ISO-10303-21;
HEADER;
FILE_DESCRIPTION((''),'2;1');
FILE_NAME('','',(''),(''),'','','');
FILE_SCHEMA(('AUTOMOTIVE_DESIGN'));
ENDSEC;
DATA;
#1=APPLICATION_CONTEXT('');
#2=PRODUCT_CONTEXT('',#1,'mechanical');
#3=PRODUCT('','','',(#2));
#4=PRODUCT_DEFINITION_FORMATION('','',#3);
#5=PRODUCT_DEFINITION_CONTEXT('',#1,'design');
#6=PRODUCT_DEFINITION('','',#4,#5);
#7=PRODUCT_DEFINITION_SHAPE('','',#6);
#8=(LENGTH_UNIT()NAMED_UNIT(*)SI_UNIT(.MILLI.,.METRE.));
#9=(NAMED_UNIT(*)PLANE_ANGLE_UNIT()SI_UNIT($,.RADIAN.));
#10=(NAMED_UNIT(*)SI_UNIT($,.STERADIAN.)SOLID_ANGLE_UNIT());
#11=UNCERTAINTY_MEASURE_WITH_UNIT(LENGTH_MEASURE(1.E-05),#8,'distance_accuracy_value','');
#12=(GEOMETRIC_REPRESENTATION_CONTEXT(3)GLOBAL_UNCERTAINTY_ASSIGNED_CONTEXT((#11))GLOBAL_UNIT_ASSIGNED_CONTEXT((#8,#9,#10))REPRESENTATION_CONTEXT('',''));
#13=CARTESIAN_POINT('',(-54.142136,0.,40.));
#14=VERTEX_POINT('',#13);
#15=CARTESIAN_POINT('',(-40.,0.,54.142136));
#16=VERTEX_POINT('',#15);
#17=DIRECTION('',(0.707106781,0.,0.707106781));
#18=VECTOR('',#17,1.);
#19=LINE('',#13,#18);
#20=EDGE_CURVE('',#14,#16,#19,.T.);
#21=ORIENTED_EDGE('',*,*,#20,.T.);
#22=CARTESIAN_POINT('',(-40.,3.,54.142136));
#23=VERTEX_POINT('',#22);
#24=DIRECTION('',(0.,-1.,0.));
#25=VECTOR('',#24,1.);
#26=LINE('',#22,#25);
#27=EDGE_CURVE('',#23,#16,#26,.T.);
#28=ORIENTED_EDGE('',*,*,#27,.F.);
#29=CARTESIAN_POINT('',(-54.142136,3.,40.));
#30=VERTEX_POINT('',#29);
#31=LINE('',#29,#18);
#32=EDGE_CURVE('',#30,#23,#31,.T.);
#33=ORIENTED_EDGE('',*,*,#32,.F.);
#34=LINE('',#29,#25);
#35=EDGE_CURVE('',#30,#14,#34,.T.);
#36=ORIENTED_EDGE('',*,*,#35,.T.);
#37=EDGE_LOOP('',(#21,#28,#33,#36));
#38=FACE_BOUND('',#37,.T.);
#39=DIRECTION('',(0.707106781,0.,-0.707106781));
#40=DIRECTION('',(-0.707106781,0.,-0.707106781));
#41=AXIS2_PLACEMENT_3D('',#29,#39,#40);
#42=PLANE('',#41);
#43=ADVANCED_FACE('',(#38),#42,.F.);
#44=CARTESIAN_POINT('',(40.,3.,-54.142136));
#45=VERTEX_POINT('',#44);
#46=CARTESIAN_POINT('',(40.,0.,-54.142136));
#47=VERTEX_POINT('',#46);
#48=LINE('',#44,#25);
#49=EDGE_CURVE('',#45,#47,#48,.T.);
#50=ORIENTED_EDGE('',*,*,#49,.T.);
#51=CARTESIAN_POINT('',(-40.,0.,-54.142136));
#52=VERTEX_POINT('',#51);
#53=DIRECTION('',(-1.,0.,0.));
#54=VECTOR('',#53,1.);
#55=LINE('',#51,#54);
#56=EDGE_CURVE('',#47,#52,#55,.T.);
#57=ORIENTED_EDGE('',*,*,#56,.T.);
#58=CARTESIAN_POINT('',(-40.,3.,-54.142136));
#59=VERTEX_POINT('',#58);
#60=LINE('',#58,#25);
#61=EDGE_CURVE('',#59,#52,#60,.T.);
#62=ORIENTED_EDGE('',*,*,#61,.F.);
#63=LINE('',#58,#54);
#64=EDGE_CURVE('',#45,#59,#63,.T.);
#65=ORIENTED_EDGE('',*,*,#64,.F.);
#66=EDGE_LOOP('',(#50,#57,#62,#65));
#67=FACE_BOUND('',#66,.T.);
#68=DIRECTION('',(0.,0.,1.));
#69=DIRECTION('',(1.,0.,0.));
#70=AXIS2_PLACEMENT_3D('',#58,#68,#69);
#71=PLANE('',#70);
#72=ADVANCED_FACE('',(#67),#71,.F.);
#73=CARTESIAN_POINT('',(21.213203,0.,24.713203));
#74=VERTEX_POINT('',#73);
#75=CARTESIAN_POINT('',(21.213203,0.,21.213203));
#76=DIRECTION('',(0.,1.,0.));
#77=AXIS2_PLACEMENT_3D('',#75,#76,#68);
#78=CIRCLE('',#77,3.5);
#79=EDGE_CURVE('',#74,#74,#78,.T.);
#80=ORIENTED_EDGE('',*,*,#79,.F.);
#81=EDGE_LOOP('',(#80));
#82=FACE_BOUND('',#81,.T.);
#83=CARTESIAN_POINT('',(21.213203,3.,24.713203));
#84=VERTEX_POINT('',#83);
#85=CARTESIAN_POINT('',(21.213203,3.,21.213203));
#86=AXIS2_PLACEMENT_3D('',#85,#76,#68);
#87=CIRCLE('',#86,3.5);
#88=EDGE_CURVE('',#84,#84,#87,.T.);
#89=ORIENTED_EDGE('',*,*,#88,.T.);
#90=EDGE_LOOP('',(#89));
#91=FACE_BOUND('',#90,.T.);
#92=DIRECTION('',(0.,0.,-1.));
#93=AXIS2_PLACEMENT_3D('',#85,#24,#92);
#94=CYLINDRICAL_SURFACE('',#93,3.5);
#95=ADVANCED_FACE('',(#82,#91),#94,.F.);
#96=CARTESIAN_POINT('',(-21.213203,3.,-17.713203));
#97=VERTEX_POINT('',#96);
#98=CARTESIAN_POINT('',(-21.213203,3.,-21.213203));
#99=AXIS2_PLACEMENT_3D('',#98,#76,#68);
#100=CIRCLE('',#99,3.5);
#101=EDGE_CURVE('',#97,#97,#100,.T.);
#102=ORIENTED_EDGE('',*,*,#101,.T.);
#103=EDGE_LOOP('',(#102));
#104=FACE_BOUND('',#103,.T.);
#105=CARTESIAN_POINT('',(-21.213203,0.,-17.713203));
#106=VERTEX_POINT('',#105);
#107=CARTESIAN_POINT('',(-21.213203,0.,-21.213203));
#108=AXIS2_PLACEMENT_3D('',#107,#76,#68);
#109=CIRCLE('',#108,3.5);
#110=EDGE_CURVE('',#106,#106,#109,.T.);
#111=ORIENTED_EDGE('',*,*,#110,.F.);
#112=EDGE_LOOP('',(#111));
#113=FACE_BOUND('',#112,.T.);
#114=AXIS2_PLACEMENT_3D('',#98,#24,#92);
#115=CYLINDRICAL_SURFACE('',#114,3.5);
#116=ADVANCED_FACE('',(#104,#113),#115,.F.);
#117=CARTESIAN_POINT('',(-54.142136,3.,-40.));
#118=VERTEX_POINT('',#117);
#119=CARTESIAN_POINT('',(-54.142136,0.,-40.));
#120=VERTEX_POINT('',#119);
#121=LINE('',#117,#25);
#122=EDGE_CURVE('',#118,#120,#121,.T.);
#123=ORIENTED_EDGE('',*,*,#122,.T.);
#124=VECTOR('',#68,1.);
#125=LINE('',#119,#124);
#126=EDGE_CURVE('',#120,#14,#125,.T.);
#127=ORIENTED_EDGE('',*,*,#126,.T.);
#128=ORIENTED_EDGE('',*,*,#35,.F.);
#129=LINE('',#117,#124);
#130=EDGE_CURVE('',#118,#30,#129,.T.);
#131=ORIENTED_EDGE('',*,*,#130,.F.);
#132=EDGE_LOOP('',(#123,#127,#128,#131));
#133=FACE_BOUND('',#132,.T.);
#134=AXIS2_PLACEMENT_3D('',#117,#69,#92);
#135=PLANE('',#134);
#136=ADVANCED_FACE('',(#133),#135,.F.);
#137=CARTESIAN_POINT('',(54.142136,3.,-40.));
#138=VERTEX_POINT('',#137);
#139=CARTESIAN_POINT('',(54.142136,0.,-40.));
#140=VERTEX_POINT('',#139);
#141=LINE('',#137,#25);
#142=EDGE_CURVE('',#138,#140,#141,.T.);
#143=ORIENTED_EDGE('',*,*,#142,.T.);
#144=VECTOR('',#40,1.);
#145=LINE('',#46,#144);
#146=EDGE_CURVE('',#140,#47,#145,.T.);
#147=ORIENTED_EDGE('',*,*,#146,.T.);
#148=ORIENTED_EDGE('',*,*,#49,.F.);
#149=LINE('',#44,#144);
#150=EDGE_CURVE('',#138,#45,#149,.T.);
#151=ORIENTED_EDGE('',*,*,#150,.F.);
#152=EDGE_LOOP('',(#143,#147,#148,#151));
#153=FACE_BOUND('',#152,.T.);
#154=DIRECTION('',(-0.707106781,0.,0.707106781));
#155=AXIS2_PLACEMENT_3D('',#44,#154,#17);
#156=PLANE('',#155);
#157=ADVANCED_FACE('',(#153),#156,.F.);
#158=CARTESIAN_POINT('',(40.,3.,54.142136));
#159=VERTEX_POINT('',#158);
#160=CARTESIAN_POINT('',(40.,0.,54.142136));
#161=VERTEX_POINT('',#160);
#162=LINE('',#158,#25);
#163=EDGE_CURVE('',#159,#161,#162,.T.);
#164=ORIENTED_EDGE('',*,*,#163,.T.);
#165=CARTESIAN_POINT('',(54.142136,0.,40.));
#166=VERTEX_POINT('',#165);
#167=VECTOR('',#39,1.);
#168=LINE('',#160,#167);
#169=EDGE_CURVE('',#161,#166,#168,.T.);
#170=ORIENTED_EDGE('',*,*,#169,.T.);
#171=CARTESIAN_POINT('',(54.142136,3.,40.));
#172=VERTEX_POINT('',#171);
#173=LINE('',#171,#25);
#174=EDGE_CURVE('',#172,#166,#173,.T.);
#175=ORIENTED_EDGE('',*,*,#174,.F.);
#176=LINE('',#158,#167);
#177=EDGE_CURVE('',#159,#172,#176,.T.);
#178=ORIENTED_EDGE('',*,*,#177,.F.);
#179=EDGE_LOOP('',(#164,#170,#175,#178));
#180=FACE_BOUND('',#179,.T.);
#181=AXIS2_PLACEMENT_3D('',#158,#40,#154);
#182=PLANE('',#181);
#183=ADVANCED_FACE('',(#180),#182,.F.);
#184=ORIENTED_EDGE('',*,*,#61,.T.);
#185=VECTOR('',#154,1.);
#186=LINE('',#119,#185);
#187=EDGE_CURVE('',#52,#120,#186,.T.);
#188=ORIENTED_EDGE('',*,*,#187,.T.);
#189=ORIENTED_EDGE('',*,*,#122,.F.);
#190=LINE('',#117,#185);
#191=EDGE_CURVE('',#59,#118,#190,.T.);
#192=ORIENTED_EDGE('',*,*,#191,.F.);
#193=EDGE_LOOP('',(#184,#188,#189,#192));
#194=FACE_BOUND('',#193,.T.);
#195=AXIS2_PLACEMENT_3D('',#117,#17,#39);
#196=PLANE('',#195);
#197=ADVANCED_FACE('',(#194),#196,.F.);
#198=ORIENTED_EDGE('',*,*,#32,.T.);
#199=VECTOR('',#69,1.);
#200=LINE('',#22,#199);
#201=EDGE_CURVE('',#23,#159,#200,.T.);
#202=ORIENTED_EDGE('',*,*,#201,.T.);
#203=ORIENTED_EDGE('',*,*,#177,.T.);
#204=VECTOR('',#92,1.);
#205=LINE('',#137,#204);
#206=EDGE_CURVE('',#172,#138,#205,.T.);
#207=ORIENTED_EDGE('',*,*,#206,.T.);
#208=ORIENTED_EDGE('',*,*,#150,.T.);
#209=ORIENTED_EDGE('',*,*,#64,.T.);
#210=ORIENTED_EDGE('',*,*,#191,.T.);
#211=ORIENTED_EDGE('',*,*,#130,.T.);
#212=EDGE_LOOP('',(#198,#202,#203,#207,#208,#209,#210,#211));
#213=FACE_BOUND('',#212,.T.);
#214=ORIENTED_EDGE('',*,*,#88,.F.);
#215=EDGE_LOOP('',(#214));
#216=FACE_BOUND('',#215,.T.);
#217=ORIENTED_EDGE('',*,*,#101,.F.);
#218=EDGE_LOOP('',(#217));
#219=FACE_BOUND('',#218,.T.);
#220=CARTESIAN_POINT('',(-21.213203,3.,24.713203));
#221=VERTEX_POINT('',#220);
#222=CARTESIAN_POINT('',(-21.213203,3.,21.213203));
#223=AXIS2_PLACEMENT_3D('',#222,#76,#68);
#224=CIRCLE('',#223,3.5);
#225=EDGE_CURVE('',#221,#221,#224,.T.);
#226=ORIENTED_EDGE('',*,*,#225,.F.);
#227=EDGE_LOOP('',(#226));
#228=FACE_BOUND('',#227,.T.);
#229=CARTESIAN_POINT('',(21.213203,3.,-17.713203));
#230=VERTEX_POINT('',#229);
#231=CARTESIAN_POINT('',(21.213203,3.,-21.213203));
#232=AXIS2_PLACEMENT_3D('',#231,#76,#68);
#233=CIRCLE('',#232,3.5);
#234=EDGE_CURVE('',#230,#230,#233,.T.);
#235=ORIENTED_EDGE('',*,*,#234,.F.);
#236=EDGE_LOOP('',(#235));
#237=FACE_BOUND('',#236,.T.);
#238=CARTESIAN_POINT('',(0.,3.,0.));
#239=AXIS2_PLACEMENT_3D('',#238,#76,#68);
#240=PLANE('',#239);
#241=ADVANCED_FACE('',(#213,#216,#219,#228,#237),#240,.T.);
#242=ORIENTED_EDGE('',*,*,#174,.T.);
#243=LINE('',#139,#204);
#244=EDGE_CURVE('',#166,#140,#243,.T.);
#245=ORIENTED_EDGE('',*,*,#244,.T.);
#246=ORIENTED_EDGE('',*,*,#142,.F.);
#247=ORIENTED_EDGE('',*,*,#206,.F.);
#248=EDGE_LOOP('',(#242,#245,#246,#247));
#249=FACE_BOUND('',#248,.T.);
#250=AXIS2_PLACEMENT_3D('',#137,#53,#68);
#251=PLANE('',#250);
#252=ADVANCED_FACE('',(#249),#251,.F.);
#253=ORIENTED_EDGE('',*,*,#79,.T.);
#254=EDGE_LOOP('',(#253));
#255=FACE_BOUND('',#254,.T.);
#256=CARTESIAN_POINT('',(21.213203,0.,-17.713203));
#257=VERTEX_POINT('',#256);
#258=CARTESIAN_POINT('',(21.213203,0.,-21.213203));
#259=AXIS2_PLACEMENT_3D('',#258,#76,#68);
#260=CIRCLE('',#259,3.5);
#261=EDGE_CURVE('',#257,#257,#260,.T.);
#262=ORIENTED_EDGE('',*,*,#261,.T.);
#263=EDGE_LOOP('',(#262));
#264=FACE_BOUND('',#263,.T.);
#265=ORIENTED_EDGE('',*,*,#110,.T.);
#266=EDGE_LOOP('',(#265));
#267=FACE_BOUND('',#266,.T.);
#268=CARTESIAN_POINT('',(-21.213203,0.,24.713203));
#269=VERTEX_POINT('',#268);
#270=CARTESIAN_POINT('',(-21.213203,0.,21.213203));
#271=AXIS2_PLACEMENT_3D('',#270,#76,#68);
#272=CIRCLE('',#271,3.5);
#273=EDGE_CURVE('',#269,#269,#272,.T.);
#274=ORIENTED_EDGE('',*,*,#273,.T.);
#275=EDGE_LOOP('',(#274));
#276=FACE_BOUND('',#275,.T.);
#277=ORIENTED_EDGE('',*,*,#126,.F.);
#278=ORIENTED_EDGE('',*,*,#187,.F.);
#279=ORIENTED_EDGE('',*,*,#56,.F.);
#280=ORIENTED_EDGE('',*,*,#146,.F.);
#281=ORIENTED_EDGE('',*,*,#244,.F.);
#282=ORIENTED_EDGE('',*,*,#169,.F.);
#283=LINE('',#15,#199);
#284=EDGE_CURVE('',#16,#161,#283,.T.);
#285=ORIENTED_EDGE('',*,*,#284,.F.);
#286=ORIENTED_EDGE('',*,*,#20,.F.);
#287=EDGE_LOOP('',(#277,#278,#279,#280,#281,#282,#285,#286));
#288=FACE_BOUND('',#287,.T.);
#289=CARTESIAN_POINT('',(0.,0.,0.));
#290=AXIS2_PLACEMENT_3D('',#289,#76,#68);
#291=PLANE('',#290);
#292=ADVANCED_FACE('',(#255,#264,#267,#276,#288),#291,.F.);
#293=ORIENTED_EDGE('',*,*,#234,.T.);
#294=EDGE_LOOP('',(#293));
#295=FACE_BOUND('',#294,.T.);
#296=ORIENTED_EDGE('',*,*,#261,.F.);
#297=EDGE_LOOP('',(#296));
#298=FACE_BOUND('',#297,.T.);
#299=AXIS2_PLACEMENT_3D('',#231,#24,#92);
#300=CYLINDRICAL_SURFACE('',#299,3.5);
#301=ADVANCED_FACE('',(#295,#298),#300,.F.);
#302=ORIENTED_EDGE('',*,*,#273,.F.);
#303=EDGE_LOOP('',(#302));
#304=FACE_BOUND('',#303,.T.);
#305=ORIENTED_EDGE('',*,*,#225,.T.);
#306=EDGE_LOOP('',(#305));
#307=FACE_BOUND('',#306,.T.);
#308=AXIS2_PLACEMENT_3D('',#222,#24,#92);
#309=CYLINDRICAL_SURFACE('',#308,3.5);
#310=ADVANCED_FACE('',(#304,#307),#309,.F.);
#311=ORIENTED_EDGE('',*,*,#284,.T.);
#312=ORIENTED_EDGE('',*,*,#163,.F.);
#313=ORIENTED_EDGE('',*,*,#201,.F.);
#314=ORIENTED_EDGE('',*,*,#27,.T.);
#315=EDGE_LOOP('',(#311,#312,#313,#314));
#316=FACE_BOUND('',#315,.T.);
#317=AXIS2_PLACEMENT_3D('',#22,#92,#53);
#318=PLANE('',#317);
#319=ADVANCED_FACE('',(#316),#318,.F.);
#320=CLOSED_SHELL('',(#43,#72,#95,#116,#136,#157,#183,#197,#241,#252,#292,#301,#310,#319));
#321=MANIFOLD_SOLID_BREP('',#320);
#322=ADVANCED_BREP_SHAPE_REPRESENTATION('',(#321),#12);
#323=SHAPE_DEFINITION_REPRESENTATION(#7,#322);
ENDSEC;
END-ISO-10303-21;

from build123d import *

# Parameters (mm, degrees)
SKETCH1_R           = 3.5
BOSS_EXTRUDE1_DEPTH = 3


with BuildPart() as part:
    # Sketch1 → Boss-Extrude1 (new body)
    with BuildSketch(Plane(origin=(0, 0, 0), x_dir=(1, 0, 0), z_dir=(0, 1, 0))):
        Polygon((-54.142135624, 40), (-40, 54.142135624), (40, 54.142135624), (54.142135624, 40), (54.142135624, -40), (40, -54.142135624), (-40, -54.142135624), (-54.142135624, -40), align=None)
        with Locations((-21.213203436, 21.213203436)):
            Circle(SKETCH1_R, mode=Mode.SUBTRACT)
        with Locations((21.213203436, 21.213203436)):
            Circle(SKETCH1_R, mode=Mode.SUBTRACT)
        with Locations((21.213203436, -21.213203436)):
            Circle(SKETCH1_R, mode=Mode.SUBTRACT)
        with Locations((-21.213203436, -21.213203436)):
            Circle(SKETCH1_R, mode=Mode.SUBTRACT)
    extrude(amount=BOSS_EXTRUDE1_DEPTH)


solid = part.part
